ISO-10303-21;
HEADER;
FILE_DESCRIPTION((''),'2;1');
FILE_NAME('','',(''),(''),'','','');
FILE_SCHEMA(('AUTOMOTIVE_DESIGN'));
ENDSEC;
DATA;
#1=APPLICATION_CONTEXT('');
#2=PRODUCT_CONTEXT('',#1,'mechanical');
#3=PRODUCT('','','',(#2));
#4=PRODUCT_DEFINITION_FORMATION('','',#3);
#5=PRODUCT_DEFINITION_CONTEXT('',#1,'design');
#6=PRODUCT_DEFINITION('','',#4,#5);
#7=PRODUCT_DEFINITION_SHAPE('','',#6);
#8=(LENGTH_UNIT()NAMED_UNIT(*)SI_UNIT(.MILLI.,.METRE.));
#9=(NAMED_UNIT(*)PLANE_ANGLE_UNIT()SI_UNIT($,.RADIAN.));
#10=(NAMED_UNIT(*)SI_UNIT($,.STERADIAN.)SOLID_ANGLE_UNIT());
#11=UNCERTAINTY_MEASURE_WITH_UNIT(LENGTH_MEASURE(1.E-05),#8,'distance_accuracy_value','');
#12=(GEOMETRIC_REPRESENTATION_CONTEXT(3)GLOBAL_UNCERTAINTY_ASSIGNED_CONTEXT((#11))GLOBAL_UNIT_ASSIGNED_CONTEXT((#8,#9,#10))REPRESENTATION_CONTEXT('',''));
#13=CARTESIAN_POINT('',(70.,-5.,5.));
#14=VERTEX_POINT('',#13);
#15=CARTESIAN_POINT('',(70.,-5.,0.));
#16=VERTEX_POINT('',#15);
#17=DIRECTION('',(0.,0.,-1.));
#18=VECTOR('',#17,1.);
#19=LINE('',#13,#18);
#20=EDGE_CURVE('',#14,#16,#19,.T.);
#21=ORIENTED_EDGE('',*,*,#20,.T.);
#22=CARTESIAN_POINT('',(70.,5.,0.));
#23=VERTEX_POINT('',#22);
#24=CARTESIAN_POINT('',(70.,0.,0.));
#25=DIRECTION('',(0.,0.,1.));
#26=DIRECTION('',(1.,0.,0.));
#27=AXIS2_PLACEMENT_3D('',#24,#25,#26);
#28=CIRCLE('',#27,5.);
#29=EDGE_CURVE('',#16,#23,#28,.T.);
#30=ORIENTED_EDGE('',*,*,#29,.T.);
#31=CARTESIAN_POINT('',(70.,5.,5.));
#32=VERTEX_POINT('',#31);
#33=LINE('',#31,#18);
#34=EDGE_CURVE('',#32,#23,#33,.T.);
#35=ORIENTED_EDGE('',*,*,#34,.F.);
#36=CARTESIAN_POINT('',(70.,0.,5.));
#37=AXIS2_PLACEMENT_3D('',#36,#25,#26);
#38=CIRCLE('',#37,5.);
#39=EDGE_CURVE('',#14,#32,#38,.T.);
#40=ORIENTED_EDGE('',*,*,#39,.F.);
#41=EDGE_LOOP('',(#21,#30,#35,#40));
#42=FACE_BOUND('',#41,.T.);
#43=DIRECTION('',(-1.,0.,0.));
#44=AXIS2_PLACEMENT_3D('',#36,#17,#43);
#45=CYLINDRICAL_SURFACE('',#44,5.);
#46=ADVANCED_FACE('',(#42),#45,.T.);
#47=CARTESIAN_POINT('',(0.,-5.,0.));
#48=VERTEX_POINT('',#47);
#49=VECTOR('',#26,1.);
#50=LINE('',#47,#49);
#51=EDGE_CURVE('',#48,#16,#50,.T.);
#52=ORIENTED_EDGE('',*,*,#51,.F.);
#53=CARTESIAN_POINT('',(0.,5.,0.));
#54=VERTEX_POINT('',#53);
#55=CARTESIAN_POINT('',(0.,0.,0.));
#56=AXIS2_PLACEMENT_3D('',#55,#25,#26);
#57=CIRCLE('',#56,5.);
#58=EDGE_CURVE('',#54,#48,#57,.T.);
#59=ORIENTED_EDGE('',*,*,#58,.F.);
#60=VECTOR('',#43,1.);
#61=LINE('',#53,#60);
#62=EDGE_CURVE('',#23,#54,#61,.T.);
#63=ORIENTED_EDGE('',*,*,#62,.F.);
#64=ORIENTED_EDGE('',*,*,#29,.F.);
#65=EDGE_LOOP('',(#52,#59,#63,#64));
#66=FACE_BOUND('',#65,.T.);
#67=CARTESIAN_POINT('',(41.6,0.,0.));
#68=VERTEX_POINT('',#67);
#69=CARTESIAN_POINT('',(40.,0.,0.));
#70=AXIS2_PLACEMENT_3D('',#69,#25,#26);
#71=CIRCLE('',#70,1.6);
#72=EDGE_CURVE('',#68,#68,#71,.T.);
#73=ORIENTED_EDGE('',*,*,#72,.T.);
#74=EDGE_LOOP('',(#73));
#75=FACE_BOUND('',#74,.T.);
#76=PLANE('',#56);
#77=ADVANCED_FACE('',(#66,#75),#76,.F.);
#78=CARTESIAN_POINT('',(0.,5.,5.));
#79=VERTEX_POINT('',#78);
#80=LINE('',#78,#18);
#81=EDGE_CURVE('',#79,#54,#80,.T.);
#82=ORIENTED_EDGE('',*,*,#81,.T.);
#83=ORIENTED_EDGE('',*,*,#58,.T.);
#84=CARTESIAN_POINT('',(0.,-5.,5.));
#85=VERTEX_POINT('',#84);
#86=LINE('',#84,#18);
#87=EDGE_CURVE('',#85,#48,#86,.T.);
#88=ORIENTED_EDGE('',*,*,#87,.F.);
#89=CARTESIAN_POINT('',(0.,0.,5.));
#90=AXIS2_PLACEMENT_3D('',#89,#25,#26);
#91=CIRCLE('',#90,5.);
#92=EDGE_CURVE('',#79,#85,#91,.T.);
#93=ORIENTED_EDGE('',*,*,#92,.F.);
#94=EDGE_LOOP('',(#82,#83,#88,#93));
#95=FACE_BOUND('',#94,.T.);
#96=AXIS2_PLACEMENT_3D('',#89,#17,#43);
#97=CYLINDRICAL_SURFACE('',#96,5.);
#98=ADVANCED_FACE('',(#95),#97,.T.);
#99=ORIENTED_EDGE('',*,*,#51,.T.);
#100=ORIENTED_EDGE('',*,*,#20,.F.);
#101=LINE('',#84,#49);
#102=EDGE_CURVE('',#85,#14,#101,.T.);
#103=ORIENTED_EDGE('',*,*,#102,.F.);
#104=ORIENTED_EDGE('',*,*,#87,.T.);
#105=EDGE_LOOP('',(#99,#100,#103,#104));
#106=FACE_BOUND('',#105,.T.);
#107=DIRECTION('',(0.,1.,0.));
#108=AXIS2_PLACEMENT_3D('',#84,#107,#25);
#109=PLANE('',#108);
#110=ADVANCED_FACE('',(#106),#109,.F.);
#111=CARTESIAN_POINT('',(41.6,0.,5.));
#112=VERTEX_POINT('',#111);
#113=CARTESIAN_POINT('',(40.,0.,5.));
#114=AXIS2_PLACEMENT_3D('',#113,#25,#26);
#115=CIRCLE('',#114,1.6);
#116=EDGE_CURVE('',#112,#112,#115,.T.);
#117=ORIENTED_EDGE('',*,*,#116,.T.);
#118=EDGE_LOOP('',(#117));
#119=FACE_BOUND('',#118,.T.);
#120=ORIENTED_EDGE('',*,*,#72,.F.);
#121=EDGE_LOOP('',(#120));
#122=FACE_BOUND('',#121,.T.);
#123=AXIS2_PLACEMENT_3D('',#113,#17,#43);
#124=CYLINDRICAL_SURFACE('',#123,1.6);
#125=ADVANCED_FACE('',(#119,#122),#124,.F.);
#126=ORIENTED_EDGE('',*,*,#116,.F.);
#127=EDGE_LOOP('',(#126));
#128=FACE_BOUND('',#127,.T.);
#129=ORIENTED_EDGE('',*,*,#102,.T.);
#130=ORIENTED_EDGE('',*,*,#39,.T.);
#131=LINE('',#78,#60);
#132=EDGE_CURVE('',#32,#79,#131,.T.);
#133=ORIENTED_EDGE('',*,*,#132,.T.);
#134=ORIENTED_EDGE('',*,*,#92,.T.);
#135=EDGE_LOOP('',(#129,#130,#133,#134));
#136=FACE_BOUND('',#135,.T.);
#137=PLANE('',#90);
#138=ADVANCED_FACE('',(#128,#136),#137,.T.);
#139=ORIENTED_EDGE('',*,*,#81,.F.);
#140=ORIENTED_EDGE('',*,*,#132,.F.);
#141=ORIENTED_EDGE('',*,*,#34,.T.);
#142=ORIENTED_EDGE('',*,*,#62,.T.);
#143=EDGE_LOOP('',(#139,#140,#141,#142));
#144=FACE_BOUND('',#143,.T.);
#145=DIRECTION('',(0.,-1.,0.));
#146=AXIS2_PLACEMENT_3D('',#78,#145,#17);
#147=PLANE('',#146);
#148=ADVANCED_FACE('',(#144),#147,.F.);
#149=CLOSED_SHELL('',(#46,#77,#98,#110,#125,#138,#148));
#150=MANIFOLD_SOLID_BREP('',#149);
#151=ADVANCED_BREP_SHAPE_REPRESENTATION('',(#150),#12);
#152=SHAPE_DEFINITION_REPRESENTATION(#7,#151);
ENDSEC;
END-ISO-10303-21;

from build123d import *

# Parameters (mm, degrees)
SKETCH_1_R      = 1.6
EXTRUDE_1_DEPTH = 5


with BuildPart() as part:
    # 草图1 → 凸台-拉伸1 (new body)
    with BuildSketch(Plane.XY):
        with BuildLine():
            Line((0, 5), (70, 5))
            ThreePointArc((70, 5), (75, 0), (70, -5))
            Line((70, -5), (0, -5))
            ThreePointArc((0, -5), (-5, 0), (0, 5))
        make_face()
        with Locations((40, 0)):
            Circle(SKETCH_1_R, mode=Mode.SUBTRACT)
    extrude(amount=EXTRUDE_1_DEPTH)


solid = part.part
